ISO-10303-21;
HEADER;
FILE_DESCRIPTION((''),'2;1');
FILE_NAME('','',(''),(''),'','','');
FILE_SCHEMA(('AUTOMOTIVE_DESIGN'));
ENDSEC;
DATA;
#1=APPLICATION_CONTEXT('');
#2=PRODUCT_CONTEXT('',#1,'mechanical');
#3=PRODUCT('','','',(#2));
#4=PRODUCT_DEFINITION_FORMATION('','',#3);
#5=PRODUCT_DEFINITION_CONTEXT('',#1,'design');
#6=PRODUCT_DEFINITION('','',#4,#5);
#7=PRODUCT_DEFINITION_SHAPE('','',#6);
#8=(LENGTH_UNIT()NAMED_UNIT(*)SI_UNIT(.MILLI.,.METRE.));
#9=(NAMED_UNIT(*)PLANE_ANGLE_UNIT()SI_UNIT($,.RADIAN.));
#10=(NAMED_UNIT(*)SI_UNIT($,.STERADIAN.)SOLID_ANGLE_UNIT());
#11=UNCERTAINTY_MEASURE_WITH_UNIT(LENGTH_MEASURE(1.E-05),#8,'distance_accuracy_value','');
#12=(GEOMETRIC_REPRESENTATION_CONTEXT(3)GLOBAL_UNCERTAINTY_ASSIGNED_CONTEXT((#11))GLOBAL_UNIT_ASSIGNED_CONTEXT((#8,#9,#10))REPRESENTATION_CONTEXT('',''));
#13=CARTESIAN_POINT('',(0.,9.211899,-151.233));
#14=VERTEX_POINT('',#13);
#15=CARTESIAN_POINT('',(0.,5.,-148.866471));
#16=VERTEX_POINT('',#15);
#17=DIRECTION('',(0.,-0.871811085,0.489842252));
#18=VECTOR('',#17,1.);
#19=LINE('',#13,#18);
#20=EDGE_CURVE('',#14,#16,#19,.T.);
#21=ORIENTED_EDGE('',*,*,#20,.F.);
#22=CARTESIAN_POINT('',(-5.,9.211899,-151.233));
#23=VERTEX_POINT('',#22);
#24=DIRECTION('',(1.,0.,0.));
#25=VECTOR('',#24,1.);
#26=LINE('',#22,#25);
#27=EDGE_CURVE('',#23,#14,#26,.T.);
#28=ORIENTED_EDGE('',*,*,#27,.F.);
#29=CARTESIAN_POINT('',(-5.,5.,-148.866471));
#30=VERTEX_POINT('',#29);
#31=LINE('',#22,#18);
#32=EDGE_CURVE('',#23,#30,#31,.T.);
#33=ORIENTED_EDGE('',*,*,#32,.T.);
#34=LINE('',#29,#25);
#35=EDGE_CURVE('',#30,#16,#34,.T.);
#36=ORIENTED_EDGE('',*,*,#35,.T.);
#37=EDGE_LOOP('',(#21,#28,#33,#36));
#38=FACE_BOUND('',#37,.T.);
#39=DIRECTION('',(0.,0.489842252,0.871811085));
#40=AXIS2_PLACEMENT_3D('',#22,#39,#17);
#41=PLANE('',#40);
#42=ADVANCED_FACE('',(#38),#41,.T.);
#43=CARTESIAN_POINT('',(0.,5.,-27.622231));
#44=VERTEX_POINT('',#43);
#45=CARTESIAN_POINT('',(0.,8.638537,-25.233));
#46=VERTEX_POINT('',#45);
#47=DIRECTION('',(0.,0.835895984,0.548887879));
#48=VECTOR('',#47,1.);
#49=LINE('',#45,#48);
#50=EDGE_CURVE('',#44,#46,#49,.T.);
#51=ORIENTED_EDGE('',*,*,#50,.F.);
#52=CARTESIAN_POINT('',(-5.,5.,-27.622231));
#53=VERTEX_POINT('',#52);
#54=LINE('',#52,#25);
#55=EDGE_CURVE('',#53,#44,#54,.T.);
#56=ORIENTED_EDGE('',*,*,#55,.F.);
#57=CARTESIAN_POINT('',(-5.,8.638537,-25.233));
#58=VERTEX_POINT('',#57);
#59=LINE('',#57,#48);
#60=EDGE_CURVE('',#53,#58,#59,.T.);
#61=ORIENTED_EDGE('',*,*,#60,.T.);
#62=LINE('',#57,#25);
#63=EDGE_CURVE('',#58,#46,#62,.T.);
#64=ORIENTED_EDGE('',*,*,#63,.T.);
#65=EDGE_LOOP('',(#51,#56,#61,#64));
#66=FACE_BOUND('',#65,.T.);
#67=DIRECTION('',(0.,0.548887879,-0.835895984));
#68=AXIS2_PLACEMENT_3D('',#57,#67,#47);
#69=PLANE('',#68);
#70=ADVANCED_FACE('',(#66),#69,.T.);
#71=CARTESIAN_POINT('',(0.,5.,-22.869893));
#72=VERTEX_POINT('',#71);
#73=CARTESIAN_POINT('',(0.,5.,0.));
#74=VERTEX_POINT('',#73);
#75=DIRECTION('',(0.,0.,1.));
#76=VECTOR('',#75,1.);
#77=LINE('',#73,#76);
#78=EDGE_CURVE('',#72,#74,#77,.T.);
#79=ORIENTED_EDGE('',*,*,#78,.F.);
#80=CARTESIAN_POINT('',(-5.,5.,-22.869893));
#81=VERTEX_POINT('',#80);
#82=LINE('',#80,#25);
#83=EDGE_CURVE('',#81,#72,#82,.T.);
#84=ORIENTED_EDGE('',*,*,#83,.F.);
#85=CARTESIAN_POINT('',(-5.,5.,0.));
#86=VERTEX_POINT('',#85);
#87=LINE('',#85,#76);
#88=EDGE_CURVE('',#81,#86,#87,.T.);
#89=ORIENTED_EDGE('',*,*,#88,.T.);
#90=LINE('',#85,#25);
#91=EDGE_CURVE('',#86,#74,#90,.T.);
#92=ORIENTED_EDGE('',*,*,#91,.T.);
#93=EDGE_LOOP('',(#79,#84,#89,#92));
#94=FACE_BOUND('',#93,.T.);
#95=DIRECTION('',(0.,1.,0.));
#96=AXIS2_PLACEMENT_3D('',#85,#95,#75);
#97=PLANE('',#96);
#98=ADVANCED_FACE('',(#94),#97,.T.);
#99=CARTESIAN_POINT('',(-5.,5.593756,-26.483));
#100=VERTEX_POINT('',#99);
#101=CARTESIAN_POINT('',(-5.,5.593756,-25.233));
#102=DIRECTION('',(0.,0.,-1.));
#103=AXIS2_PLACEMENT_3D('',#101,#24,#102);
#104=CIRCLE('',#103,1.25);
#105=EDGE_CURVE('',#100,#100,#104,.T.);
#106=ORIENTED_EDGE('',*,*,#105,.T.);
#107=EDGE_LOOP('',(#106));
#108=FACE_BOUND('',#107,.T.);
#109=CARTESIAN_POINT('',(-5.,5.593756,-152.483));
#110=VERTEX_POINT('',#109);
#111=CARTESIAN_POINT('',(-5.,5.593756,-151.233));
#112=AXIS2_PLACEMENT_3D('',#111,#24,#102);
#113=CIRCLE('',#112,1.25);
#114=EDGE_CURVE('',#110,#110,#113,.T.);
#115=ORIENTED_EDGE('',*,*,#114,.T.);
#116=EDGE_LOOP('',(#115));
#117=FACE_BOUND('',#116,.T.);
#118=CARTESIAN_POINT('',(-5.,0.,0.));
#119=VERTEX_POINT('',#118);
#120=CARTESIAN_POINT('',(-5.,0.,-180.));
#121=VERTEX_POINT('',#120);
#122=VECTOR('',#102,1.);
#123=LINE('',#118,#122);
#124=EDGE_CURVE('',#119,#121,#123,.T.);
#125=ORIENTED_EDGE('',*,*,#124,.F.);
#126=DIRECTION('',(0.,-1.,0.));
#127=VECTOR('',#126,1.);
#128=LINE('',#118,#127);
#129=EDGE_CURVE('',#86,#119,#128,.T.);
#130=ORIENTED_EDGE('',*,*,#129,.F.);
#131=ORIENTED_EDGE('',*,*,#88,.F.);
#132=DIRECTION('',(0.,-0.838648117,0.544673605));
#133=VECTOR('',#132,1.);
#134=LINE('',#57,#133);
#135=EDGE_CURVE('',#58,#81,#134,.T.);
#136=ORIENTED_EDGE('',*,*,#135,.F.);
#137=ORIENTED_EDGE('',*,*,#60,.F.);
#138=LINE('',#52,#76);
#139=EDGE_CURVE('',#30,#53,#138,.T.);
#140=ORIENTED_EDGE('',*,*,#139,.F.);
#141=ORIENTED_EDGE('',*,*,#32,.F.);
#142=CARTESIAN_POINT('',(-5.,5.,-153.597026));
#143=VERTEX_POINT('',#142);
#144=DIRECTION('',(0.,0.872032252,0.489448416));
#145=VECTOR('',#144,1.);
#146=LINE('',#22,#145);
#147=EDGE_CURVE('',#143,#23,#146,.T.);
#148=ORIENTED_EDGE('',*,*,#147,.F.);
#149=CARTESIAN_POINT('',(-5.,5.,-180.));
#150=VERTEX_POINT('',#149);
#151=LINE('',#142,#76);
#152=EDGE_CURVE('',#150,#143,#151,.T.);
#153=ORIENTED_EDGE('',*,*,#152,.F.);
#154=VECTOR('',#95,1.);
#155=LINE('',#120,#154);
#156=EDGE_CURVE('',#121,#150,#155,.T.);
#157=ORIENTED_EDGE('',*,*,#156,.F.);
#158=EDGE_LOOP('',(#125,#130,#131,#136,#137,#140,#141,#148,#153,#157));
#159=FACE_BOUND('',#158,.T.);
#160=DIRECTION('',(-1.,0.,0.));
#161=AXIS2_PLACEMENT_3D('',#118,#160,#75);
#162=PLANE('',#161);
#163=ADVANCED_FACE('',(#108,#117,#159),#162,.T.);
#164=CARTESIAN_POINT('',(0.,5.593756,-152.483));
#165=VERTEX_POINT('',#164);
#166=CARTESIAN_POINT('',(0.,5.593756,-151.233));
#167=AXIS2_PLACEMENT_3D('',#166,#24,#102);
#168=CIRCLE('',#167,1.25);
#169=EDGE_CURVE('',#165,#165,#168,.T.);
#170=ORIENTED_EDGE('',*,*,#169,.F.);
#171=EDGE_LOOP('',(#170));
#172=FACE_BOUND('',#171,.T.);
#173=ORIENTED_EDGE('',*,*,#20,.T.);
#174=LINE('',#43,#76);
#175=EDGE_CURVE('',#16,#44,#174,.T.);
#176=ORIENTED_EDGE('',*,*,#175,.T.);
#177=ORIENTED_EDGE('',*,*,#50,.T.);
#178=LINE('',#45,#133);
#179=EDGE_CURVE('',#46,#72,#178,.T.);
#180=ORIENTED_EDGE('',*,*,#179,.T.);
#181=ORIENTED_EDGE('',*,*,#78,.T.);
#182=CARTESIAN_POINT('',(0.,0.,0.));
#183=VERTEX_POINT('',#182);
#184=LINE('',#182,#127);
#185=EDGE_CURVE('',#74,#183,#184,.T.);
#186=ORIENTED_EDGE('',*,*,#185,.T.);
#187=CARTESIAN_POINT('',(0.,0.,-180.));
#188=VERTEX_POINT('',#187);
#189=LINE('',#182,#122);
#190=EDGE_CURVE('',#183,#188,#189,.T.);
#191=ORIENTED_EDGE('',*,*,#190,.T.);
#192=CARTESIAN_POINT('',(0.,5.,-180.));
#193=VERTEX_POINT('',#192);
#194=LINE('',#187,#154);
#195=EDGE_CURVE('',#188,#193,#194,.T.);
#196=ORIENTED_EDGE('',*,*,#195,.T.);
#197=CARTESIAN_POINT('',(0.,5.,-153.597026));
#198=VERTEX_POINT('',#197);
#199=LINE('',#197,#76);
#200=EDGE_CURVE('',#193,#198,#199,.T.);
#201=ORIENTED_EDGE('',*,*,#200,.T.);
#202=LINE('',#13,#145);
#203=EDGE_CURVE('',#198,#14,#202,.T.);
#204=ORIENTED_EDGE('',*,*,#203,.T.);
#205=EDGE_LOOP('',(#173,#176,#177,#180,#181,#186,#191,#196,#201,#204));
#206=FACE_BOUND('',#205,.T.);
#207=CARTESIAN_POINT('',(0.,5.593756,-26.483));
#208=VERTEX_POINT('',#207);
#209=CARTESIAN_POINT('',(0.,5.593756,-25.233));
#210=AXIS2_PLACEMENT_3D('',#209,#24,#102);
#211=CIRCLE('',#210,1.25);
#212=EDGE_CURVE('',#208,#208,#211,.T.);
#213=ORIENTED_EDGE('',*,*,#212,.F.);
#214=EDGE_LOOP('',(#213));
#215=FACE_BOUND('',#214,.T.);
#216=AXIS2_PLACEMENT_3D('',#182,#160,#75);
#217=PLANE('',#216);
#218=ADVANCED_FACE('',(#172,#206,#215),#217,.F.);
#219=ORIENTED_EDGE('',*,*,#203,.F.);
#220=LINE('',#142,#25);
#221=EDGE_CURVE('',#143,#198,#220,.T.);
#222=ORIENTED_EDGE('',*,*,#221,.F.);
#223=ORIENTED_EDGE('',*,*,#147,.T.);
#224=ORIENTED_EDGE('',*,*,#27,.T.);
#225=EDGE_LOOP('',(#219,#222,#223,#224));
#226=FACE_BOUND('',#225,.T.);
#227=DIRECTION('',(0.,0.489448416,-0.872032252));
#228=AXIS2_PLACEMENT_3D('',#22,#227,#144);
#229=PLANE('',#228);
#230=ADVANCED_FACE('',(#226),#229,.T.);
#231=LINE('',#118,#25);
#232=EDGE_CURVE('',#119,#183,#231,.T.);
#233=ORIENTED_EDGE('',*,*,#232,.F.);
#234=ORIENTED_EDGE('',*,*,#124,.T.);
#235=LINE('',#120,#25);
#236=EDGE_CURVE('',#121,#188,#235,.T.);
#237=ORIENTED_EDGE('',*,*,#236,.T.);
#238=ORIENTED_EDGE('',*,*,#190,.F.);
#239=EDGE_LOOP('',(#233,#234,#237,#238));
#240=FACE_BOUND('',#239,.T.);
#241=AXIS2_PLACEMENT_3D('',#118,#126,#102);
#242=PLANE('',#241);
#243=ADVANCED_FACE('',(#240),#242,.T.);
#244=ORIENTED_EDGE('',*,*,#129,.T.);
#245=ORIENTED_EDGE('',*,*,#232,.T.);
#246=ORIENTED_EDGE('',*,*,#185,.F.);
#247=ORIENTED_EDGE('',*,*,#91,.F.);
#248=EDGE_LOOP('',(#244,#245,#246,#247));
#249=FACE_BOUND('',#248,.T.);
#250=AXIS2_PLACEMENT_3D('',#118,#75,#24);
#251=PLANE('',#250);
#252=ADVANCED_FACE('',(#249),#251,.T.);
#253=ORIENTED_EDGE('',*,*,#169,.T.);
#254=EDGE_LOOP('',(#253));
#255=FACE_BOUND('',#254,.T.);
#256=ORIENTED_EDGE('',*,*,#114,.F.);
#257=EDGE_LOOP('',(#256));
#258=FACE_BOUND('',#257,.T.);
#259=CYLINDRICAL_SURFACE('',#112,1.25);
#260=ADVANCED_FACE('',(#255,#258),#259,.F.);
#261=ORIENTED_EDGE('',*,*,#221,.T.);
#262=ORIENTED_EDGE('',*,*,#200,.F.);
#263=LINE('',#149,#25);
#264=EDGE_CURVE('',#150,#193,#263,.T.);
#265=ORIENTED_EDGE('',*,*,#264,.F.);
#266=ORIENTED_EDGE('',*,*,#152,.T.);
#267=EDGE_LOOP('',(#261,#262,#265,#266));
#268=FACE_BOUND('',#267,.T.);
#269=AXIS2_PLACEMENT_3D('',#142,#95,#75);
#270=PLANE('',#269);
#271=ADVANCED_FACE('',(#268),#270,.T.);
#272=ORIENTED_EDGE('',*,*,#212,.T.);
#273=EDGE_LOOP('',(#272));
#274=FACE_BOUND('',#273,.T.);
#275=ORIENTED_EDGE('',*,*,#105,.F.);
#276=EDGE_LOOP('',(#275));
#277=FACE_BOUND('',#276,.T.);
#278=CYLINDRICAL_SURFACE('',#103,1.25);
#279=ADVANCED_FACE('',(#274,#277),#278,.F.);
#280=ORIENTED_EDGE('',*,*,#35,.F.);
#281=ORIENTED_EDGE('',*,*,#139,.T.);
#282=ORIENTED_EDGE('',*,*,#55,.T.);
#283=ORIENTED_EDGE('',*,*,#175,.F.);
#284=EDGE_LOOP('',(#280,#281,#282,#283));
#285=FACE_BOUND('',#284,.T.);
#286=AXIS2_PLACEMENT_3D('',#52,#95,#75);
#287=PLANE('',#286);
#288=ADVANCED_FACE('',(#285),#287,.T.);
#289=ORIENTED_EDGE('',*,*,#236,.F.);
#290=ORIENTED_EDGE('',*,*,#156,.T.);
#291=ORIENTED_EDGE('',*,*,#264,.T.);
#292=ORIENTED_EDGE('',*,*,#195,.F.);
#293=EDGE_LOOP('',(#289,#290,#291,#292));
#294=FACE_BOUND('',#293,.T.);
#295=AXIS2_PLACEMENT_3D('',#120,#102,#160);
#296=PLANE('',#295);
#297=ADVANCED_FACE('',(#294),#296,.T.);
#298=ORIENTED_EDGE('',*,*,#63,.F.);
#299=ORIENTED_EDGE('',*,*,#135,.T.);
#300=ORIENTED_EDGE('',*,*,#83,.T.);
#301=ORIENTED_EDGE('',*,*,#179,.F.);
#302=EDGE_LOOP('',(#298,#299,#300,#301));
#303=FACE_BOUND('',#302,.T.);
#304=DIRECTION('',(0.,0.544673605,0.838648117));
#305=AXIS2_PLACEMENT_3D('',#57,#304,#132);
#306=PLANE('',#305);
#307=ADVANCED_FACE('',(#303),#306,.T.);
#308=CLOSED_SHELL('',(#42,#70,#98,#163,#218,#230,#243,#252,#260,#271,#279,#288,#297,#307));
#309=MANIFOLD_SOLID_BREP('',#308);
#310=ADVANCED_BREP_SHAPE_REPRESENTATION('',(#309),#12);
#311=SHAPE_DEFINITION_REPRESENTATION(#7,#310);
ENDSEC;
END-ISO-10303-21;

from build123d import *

# Parameters (mm, degrees)
SKETCH1_R           = 1.25
BOSS_EXTRUDE1_DEPTH = 5


with BuildPart() as part:
    # Sketch1 → Boss-Extrude1 (new body)
    with BuildSketch(Plane(origin=(0, 0, 0), x_dir=(0, 0, -1), z_dir=(1, 0, 0))):
        Polygon((25.233, 8.638537032), (22.869893181, 5), (0, 5), (0, 0), (180, 0), (180, 5), (153.59702619, 5), (151.233, 9.21189857), (148.866471386, 5), (27.622231329, 5), align=None)
        with Locations((25.233, 5.593756264)):
            Circle(SKETCH1_R, mode=Mode.SUBTRACT)
        with Locations((151.233, 5.593756264)):
            Circle(SKETCH1_R, mode=Mode.SUBTRACT)
    extrude(amount=-BOSS_EXTRUDE1_DEPTH)


solid = part.part
